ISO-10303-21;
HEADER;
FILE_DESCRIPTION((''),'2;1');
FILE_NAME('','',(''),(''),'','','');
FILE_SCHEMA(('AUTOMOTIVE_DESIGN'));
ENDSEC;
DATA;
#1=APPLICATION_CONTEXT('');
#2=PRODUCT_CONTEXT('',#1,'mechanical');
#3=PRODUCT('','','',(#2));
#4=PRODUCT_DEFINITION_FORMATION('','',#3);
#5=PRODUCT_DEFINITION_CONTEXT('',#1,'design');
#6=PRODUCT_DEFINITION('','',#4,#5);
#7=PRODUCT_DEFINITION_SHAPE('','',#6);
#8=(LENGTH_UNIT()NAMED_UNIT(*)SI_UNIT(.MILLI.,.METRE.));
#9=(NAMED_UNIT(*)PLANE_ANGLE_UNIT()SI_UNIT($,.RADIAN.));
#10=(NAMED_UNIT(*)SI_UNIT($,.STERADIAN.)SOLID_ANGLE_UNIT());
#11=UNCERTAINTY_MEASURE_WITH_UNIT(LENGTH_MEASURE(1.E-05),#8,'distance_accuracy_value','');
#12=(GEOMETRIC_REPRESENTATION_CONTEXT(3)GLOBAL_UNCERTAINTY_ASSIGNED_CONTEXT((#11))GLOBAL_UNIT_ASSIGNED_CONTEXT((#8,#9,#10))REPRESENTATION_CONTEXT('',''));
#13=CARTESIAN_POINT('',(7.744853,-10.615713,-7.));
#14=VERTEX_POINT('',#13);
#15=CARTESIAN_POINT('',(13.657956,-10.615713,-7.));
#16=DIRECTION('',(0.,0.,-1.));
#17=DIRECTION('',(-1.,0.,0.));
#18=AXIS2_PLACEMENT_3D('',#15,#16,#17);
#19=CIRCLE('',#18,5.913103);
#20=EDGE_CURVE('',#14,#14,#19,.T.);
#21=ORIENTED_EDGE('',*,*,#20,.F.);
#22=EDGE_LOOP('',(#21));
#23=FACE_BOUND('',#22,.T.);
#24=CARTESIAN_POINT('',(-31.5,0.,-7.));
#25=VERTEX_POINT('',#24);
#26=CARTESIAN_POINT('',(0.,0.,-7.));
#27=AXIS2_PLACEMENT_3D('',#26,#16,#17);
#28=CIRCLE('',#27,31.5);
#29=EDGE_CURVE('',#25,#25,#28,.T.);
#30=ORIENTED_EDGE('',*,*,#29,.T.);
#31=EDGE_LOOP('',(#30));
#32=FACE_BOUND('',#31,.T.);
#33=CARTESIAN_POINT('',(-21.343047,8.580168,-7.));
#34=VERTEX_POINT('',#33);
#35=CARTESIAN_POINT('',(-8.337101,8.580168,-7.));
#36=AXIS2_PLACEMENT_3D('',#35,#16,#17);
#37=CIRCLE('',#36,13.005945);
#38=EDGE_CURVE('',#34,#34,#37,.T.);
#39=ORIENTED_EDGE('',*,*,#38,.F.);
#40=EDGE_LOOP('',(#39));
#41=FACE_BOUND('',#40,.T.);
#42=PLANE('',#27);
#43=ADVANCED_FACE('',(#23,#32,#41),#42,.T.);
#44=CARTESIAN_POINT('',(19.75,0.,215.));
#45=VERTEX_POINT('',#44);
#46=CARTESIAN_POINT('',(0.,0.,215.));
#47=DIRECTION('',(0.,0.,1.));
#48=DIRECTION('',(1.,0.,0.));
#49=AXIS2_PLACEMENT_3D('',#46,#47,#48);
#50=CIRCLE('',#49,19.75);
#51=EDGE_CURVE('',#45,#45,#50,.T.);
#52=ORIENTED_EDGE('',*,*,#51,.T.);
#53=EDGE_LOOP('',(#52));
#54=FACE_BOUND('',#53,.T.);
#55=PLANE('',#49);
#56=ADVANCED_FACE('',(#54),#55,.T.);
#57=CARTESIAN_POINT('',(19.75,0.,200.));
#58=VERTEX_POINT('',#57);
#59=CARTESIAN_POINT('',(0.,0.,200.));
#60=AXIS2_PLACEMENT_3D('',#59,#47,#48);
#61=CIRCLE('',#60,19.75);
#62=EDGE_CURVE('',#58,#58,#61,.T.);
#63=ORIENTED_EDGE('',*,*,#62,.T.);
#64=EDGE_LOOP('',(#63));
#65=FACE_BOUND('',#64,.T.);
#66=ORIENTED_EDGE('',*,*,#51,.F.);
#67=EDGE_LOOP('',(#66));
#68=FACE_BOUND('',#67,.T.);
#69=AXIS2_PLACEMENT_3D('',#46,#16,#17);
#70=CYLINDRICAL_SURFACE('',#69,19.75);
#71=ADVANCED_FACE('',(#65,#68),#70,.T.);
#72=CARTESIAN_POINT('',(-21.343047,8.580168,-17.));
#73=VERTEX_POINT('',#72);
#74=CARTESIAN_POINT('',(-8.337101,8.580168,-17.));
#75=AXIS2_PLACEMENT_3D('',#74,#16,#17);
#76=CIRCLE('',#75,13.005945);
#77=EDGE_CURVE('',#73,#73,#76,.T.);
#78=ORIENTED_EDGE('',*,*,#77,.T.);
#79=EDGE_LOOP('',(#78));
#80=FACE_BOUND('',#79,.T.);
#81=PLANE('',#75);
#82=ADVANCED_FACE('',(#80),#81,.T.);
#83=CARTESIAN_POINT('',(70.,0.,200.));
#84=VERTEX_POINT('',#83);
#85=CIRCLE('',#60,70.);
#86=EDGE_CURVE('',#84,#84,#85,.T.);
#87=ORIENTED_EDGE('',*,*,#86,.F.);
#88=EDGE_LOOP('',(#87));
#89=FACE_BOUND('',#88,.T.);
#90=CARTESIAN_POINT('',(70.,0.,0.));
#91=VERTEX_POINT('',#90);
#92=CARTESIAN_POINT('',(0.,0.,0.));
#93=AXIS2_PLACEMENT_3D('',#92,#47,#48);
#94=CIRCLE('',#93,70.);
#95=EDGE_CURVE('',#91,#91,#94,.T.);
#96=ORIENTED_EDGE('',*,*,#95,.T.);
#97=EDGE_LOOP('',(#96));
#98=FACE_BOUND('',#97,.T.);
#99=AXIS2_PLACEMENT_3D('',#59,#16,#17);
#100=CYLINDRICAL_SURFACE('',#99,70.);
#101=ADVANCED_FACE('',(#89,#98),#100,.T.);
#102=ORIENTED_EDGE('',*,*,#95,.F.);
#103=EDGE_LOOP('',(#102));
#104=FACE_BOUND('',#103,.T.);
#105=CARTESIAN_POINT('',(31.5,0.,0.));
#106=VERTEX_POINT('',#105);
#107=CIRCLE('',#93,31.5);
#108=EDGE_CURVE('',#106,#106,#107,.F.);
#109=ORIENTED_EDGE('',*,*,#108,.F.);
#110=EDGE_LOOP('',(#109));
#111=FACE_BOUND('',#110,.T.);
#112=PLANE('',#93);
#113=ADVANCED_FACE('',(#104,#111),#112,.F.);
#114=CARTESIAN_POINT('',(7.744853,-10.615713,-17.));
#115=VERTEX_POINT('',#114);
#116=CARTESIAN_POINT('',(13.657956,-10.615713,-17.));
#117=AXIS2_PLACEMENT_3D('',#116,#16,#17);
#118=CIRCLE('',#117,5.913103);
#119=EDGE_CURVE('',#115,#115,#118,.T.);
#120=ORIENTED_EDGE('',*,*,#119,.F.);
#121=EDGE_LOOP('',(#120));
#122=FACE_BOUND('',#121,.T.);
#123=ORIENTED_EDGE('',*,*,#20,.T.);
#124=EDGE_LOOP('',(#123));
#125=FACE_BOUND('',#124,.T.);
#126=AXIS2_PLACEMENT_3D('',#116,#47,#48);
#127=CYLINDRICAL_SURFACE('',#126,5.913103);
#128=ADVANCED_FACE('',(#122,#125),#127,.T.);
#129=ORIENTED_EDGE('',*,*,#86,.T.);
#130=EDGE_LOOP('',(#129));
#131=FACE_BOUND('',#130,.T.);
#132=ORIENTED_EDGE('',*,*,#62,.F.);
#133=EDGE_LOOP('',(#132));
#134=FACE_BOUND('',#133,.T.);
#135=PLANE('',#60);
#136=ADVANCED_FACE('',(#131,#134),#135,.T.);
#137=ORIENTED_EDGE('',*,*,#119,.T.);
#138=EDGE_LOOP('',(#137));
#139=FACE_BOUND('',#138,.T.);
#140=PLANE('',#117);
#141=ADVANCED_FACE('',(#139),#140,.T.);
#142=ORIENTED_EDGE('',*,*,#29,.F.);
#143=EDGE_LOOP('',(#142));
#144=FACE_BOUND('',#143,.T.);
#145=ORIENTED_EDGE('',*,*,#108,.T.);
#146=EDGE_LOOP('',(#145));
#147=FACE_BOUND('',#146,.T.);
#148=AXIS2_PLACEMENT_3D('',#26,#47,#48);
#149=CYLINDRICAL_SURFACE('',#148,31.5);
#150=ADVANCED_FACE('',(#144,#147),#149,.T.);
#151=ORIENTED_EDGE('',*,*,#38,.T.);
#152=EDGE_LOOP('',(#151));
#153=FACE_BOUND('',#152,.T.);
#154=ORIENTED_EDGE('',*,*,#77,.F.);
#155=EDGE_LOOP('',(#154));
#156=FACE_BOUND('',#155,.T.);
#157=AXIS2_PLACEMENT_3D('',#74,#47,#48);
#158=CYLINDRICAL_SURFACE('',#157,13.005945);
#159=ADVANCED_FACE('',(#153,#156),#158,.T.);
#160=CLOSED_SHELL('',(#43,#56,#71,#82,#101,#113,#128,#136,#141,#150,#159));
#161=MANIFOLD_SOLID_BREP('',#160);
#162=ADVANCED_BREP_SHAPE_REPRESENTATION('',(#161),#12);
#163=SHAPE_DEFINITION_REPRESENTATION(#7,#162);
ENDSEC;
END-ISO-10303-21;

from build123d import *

# Parameters (mm, degrees)
SKETCH3_R           = 70
BOSS_EXTRUDE1_DEPTH = 200
SKETCH4_R           = 19.75
BOSS_EXTRUDE2_DEPTH = 15
SKETCH5_R           = 31.5
BOSS_EXTRUDE3_DEPTH = 7
SKETCH6_R           = 13.005945397
SKETCH6_R_2         = 5.913103463
BOSS_EXTRUDE4_DEPTH = 10


with BuildPart() as part:
    # Sketch3 → Boss-Extrude1 (new body)
    with BuildSketch(Plane.XY):
        Circle(SKETCH3_R)
    extrude(amount=BOSS_EXTRUDE1_DEPTH)

    # Sketch4 → Boss-Extrude2 (add)
    with BuildSketch(Plane.XY.offset(200)):
        Circle(SKETCH4_R)
    extrude(amount=BOSS_EXTRUDE2_DEPTH)

    # Sketch5 → Boss-Extrude3 (add)
    with BuildSketch(Plane(origin=(0, 0, 0), x_dir=(-1, 0, 0), z_dir=(0, 0, -1))):
        with Locations(Location((0, 0, 0), (0, 0, 180))):
            Circle(SKETCH5_R)
    extrude(amount=BOSS_EXTRUDE3_DEPTH)

    # Sketch6 → Boss-Extrude4 (add)
    with BuildSketch(Plane(origin=(0, 0, -7), x_dir=(-1, 0, 0), z_dir=(0, 0, -1))):
        with Locations((8.337101301, 8.580168456)):
            Circle(SKETCH6_R)
        with Locations((-13.657956127, -10.615712672)):
            Circle(SKETCH6_R_2)
    extrude(amount=BOSS_EXTRUDE4_DEPTH)


solid = part.part
